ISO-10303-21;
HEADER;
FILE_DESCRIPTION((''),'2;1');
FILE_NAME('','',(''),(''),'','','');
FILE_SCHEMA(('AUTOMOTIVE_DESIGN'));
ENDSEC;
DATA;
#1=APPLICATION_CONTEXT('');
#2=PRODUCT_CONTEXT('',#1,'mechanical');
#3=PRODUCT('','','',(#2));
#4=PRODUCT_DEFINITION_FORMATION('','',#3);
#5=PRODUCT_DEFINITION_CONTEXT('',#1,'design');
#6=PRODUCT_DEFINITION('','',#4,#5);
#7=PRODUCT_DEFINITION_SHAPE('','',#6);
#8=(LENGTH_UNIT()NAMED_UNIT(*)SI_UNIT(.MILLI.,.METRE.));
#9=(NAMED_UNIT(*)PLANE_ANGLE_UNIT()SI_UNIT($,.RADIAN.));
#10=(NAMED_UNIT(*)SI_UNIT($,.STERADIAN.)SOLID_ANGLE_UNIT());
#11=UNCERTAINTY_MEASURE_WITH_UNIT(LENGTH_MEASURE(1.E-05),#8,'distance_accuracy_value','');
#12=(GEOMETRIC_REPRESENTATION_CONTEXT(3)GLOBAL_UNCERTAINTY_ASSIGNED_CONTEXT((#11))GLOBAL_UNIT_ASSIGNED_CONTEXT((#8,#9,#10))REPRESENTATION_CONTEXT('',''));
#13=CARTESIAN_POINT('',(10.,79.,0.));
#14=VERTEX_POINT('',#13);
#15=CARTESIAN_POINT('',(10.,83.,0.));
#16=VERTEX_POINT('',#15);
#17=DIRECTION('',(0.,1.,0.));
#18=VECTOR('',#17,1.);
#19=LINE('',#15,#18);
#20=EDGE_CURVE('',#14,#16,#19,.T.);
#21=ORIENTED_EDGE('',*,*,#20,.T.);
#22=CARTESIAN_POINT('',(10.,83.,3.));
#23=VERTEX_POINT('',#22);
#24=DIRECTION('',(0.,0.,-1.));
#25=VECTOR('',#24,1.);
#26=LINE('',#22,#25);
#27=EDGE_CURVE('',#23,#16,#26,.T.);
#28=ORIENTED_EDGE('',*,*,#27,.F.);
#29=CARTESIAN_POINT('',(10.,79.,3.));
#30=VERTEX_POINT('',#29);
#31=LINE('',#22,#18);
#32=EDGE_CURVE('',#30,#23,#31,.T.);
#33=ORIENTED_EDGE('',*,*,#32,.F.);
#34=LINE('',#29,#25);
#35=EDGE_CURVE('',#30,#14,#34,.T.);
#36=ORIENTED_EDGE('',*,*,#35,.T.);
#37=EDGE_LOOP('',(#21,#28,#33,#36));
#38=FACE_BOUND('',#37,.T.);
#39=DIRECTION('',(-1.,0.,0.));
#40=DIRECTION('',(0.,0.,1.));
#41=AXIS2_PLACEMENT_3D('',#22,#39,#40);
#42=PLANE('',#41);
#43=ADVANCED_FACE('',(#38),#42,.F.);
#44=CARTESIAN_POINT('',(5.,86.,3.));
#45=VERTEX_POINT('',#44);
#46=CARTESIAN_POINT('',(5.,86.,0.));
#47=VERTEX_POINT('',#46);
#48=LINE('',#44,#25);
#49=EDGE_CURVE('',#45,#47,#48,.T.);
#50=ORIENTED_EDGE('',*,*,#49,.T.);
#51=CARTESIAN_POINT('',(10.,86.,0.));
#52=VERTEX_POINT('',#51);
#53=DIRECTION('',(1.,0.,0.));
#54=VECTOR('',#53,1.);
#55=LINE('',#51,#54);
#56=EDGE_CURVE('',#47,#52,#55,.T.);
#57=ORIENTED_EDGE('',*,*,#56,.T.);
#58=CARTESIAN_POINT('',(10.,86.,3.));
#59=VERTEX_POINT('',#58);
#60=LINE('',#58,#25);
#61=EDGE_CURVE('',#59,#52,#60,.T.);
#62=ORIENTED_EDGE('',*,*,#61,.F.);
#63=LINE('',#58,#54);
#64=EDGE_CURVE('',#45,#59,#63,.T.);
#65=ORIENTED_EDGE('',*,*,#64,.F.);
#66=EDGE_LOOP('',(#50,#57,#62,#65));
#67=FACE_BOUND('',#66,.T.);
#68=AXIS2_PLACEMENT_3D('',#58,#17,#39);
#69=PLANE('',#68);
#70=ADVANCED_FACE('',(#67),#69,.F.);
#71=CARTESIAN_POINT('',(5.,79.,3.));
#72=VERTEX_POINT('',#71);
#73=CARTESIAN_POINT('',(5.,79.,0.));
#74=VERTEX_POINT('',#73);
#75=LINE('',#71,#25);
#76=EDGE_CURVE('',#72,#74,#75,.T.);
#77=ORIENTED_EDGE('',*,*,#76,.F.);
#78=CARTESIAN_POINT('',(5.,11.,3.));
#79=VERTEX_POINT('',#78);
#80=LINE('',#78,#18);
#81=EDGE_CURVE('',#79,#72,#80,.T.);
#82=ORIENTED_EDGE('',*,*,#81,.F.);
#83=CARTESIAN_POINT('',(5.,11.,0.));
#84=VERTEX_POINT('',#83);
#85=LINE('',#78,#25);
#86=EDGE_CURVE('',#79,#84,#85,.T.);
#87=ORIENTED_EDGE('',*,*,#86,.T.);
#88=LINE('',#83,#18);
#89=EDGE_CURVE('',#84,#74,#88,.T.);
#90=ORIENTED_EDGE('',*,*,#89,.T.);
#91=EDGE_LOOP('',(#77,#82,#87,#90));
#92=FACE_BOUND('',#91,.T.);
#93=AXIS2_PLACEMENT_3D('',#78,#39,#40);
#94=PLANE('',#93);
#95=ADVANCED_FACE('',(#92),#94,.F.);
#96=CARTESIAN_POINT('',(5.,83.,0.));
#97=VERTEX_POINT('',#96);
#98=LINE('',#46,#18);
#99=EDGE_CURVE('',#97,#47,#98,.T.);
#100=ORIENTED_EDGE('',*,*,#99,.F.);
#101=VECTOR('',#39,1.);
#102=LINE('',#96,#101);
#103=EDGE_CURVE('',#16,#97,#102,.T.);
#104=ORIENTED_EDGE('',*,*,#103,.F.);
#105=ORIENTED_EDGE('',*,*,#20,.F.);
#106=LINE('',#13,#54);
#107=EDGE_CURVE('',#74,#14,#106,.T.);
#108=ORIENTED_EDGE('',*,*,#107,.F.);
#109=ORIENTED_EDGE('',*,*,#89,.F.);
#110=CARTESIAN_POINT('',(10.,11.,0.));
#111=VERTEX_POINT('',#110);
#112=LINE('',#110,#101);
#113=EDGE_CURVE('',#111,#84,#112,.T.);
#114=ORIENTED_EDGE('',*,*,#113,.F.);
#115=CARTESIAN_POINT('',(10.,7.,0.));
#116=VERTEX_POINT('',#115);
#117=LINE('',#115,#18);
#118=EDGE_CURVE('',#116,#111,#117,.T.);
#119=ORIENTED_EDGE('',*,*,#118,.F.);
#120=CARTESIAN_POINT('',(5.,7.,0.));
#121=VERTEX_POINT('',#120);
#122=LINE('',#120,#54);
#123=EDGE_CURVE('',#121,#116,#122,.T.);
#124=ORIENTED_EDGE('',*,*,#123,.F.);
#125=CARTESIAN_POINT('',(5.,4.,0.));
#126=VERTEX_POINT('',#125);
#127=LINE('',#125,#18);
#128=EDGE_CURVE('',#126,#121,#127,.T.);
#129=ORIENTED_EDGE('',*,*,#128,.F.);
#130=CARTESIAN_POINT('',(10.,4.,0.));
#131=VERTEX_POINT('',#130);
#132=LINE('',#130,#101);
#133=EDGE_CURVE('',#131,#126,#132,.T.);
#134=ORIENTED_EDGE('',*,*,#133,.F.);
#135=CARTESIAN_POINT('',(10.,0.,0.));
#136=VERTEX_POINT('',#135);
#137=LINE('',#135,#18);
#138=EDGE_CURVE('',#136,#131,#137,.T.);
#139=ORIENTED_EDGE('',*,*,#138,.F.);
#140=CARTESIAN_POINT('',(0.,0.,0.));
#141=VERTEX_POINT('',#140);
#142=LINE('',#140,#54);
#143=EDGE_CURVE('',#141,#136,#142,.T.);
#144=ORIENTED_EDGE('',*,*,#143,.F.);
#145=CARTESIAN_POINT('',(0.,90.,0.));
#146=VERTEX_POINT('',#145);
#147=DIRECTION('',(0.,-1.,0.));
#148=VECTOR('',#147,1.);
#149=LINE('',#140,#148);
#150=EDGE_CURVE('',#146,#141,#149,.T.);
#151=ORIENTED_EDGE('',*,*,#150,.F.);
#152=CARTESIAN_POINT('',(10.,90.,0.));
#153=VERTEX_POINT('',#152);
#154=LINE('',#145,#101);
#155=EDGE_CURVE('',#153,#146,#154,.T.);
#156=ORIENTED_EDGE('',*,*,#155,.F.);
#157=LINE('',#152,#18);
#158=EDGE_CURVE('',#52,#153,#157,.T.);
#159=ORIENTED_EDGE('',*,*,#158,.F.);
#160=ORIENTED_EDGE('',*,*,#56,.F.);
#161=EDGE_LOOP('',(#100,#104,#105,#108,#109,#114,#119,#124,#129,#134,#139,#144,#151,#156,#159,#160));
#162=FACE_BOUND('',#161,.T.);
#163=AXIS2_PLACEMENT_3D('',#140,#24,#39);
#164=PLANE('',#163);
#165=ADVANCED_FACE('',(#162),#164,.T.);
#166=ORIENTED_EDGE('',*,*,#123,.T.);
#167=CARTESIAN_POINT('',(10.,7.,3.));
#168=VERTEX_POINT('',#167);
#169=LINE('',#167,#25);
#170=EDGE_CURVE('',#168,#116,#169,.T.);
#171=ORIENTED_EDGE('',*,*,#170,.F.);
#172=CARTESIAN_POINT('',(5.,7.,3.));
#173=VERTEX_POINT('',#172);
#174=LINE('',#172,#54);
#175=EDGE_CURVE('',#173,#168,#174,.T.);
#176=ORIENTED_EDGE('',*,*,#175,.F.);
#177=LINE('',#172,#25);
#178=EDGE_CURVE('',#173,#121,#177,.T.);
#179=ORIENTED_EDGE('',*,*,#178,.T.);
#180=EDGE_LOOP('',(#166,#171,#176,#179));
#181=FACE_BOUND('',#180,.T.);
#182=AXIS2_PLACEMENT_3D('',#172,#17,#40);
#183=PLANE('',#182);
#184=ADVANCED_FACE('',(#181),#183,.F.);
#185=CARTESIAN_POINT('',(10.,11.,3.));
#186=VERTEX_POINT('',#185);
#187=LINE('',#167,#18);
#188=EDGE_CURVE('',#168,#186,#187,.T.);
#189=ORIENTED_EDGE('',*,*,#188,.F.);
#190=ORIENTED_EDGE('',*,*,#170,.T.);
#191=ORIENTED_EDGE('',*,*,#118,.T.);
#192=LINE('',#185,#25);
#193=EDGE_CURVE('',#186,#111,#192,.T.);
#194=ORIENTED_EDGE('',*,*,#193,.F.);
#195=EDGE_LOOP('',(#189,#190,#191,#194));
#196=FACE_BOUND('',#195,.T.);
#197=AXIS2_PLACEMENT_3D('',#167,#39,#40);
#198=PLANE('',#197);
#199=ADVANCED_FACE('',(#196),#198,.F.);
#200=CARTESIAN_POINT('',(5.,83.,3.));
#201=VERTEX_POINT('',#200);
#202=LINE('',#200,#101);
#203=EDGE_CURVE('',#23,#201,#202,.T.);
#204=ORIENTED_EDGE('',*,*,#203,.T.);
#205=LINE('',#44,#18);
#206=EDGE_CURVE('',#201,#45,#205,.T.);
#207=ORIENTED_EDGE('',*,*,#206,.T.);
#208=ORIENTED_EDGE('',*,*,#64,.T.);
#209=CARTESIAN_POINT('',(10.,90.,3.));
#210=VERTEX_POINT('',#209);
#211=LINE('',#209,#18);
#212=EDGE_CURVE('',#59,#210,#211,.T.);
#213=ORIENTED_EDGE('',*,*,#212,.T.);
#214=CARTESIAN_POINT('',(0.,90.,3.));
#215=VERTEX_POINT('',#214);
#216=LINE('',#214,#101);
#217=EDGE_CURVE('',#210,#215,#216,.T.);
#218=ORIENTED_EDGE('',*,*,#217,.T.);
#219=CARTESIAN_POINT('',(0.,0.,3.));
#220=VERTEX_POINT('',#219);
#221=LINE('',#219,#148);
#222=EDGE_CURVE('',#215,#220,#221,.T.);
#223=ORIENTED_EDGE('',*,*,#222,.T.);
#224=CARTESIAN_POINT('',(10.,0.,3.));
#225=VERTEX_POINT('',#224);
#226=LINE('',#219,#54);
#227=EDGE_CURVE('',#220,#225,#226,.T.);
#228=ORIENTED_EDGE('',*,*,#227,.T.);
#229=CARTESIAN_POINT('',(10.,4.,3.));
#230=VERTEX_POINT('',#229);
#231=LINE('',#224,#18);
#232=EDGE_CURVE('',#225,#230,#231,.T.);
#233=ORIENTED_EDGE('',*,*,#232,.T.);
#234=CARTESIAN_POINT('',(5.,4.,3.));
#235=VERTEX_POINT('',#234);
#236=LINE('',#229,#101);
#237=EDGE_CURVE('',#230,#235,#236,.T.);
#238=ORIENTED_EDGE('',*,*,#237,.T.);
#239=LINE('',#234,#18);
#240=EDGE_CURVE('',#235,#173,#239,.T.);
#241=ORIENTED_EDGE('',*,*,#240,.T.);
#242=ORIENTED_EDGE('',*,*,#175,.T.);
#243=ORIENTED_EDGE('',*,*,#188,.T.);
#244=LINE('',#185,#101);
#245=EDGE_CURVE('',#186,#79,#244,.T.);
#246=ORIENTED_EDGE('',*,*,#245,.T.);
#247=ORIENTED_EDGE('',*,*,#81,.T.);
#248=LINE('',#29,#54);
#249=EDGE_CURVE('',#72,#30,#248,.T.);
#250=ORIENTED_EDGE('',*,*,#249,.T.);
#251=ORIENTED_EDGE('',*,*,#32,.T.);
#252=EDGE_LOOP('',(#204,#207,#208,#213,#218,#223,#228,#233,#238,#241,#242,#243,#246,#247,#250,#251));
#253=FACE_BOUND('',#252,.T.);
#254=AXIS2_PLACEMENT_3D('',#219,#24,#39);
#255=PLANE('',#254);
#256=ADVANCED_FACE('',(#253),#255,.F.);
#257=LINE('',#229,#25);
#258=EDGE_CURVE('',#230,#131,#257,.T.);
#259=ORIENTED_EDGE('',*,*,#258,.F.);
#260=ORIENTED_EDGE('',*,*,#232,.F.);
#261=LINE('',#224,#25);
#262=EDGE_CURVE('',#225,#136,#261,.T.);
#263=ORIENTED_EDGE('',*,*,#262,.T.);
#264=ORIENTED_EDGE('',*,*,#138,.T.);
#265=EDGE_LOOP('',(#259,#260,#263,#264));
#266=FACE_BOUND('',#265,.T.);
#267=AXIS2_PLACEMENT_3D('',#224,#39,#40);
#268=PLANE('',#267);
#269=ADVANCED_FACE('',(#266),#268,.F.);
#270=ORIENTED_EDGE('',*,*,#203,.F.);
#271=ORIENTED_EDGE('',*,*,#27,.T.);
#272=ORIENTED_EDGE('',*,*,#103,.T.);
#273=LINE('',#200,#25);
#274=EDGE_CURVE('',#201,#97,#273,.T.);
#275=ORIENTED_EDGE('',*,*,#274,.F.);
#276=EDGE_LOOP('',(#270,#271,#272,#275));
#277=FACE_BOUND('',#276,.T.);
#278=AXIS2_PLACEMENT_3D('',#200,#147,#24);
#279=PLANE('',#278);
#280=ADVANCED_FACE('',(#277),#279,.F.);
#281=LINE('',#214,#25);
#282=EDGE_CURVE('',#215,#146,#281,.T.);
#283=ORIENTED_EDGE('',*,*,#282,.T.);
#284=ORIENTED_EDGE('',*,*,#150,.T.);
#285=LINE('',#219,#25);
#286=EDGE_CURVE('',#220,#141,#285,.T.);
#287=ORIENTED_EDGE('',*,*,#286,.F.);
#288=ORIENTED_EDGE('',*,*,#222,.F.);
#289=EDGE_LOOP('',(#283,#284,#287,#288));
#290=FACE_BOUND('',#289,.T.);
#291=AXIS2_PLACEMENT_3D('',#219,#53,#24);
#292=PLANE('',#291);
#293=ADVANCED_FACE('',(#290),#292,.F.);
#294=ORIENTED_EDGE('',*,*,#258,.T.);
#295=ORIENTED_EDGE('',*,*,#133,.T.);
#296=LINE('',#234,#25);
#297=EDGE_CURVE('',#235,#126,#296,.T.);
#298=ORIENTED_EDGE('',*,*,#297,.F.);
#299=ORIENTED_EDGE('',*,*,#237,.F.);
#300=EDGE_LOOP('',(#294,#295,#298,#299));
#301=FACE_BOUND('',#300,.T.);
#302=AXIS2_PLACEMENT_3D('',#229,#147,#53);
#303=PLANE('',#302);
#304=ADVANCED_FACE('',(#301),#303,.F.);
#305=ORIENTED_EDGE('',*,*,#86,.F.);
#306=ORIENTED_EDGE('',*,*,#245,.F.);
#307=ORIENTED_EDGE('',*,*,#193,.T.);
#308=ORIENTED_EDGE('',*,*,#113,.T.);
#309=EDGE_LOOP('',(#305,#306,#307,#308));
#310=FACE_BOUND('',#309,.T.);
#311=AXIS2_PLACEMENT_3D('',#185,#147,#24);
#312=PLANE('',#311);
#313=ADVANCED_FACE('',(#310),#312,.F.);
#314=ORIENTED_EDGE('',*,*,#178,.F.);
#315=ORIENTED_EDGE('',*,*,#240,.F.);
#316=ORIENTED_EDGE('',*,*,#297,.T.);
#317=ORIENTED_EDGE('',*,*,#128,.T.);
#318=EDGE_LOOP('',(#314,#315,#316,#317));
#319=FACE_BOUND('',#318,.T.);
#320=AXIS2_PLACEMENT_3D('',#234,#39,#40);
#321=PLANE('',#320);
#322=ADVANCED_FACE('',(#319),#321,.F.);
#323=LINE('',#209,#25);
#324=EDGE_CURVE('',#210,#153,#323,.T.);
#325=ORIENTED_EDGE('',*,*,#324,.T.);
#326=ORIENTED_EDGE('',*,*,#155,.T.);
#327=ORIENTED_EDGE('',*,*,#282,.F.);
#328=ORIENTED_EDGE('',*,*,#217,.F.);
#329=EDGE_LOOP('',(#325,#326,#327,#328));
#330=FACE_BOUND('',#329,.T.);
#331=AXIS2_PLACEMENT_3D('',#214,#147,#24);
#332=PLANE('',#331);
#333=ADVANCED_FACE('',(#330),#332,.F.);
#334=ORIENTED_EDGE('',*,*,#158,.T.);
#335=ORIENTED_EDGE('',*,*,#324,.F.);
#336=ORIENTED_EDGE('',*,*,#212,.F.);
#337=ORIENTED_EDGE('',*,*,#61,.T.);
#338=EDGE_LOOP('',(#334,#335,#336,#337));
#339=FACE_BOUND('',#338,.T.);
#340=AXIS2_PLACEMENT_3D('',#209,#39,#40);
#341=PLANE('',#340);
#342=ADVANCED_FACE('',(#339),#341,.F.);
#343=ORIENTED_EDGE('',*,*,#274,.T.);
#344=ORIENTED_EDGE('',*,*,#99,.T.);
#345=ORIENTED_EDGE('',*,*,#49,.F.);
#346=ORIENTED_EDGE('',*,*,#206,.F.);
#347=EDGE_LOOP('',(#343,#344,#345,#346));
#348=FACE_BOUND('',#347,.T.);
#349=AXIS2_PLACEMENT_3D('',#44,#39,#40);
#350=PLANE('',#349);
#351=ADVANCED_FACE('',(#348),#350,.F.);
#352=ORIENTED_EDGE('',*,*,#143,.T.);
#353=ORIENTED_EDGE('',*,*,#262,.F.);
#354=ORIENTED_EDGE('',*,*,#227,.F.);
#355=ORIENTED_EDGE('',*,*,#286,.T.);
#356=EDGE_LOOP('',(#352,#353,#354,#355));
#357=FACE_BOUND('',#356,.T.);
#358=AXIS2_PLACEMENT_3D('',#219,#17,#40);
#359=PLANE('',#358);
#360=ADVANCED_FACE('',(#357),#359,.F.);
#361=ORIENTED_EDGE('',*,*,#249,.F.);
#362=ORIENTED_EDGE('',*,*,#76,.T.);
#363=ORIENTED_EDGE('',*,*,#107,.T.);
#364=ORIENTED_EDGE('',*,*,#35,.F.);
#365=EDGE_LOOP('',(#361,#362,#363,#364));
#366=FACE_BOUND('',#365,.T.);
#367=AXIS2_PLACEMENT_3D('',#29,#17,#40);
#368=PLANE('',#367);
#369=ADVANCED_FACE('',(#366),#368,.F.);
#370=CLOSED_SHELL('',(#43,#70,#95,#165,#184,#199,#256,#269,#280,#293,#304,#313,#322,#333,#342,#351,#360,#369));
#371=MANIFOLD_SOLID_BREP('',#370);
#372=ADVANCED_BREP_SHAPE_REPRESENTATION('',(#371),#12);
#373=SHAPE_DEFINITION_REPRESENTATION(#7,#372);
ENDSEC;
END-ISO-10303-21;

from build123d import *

# Parameters (mm, degrees)
EXTRUDE_1_DEPTH = 3


with BuildPart() as part:
    # 草图1 → 凸台-拉伸1 (new body)
    with BuildSketch(Plane.XY):
        Polygon((0, 0), (10, 0), (10, 4), (5, 4), (5, 7), (10, 7), (10, 11), (5, 11), (5, 79), (10, 79), (10, 83), (5, 83), (5, 86), (10, 86), (10, 90), (0, 90), align=None)
    extrude(amount=EXTRUDE_1_DEPTH)


solid = part.part
